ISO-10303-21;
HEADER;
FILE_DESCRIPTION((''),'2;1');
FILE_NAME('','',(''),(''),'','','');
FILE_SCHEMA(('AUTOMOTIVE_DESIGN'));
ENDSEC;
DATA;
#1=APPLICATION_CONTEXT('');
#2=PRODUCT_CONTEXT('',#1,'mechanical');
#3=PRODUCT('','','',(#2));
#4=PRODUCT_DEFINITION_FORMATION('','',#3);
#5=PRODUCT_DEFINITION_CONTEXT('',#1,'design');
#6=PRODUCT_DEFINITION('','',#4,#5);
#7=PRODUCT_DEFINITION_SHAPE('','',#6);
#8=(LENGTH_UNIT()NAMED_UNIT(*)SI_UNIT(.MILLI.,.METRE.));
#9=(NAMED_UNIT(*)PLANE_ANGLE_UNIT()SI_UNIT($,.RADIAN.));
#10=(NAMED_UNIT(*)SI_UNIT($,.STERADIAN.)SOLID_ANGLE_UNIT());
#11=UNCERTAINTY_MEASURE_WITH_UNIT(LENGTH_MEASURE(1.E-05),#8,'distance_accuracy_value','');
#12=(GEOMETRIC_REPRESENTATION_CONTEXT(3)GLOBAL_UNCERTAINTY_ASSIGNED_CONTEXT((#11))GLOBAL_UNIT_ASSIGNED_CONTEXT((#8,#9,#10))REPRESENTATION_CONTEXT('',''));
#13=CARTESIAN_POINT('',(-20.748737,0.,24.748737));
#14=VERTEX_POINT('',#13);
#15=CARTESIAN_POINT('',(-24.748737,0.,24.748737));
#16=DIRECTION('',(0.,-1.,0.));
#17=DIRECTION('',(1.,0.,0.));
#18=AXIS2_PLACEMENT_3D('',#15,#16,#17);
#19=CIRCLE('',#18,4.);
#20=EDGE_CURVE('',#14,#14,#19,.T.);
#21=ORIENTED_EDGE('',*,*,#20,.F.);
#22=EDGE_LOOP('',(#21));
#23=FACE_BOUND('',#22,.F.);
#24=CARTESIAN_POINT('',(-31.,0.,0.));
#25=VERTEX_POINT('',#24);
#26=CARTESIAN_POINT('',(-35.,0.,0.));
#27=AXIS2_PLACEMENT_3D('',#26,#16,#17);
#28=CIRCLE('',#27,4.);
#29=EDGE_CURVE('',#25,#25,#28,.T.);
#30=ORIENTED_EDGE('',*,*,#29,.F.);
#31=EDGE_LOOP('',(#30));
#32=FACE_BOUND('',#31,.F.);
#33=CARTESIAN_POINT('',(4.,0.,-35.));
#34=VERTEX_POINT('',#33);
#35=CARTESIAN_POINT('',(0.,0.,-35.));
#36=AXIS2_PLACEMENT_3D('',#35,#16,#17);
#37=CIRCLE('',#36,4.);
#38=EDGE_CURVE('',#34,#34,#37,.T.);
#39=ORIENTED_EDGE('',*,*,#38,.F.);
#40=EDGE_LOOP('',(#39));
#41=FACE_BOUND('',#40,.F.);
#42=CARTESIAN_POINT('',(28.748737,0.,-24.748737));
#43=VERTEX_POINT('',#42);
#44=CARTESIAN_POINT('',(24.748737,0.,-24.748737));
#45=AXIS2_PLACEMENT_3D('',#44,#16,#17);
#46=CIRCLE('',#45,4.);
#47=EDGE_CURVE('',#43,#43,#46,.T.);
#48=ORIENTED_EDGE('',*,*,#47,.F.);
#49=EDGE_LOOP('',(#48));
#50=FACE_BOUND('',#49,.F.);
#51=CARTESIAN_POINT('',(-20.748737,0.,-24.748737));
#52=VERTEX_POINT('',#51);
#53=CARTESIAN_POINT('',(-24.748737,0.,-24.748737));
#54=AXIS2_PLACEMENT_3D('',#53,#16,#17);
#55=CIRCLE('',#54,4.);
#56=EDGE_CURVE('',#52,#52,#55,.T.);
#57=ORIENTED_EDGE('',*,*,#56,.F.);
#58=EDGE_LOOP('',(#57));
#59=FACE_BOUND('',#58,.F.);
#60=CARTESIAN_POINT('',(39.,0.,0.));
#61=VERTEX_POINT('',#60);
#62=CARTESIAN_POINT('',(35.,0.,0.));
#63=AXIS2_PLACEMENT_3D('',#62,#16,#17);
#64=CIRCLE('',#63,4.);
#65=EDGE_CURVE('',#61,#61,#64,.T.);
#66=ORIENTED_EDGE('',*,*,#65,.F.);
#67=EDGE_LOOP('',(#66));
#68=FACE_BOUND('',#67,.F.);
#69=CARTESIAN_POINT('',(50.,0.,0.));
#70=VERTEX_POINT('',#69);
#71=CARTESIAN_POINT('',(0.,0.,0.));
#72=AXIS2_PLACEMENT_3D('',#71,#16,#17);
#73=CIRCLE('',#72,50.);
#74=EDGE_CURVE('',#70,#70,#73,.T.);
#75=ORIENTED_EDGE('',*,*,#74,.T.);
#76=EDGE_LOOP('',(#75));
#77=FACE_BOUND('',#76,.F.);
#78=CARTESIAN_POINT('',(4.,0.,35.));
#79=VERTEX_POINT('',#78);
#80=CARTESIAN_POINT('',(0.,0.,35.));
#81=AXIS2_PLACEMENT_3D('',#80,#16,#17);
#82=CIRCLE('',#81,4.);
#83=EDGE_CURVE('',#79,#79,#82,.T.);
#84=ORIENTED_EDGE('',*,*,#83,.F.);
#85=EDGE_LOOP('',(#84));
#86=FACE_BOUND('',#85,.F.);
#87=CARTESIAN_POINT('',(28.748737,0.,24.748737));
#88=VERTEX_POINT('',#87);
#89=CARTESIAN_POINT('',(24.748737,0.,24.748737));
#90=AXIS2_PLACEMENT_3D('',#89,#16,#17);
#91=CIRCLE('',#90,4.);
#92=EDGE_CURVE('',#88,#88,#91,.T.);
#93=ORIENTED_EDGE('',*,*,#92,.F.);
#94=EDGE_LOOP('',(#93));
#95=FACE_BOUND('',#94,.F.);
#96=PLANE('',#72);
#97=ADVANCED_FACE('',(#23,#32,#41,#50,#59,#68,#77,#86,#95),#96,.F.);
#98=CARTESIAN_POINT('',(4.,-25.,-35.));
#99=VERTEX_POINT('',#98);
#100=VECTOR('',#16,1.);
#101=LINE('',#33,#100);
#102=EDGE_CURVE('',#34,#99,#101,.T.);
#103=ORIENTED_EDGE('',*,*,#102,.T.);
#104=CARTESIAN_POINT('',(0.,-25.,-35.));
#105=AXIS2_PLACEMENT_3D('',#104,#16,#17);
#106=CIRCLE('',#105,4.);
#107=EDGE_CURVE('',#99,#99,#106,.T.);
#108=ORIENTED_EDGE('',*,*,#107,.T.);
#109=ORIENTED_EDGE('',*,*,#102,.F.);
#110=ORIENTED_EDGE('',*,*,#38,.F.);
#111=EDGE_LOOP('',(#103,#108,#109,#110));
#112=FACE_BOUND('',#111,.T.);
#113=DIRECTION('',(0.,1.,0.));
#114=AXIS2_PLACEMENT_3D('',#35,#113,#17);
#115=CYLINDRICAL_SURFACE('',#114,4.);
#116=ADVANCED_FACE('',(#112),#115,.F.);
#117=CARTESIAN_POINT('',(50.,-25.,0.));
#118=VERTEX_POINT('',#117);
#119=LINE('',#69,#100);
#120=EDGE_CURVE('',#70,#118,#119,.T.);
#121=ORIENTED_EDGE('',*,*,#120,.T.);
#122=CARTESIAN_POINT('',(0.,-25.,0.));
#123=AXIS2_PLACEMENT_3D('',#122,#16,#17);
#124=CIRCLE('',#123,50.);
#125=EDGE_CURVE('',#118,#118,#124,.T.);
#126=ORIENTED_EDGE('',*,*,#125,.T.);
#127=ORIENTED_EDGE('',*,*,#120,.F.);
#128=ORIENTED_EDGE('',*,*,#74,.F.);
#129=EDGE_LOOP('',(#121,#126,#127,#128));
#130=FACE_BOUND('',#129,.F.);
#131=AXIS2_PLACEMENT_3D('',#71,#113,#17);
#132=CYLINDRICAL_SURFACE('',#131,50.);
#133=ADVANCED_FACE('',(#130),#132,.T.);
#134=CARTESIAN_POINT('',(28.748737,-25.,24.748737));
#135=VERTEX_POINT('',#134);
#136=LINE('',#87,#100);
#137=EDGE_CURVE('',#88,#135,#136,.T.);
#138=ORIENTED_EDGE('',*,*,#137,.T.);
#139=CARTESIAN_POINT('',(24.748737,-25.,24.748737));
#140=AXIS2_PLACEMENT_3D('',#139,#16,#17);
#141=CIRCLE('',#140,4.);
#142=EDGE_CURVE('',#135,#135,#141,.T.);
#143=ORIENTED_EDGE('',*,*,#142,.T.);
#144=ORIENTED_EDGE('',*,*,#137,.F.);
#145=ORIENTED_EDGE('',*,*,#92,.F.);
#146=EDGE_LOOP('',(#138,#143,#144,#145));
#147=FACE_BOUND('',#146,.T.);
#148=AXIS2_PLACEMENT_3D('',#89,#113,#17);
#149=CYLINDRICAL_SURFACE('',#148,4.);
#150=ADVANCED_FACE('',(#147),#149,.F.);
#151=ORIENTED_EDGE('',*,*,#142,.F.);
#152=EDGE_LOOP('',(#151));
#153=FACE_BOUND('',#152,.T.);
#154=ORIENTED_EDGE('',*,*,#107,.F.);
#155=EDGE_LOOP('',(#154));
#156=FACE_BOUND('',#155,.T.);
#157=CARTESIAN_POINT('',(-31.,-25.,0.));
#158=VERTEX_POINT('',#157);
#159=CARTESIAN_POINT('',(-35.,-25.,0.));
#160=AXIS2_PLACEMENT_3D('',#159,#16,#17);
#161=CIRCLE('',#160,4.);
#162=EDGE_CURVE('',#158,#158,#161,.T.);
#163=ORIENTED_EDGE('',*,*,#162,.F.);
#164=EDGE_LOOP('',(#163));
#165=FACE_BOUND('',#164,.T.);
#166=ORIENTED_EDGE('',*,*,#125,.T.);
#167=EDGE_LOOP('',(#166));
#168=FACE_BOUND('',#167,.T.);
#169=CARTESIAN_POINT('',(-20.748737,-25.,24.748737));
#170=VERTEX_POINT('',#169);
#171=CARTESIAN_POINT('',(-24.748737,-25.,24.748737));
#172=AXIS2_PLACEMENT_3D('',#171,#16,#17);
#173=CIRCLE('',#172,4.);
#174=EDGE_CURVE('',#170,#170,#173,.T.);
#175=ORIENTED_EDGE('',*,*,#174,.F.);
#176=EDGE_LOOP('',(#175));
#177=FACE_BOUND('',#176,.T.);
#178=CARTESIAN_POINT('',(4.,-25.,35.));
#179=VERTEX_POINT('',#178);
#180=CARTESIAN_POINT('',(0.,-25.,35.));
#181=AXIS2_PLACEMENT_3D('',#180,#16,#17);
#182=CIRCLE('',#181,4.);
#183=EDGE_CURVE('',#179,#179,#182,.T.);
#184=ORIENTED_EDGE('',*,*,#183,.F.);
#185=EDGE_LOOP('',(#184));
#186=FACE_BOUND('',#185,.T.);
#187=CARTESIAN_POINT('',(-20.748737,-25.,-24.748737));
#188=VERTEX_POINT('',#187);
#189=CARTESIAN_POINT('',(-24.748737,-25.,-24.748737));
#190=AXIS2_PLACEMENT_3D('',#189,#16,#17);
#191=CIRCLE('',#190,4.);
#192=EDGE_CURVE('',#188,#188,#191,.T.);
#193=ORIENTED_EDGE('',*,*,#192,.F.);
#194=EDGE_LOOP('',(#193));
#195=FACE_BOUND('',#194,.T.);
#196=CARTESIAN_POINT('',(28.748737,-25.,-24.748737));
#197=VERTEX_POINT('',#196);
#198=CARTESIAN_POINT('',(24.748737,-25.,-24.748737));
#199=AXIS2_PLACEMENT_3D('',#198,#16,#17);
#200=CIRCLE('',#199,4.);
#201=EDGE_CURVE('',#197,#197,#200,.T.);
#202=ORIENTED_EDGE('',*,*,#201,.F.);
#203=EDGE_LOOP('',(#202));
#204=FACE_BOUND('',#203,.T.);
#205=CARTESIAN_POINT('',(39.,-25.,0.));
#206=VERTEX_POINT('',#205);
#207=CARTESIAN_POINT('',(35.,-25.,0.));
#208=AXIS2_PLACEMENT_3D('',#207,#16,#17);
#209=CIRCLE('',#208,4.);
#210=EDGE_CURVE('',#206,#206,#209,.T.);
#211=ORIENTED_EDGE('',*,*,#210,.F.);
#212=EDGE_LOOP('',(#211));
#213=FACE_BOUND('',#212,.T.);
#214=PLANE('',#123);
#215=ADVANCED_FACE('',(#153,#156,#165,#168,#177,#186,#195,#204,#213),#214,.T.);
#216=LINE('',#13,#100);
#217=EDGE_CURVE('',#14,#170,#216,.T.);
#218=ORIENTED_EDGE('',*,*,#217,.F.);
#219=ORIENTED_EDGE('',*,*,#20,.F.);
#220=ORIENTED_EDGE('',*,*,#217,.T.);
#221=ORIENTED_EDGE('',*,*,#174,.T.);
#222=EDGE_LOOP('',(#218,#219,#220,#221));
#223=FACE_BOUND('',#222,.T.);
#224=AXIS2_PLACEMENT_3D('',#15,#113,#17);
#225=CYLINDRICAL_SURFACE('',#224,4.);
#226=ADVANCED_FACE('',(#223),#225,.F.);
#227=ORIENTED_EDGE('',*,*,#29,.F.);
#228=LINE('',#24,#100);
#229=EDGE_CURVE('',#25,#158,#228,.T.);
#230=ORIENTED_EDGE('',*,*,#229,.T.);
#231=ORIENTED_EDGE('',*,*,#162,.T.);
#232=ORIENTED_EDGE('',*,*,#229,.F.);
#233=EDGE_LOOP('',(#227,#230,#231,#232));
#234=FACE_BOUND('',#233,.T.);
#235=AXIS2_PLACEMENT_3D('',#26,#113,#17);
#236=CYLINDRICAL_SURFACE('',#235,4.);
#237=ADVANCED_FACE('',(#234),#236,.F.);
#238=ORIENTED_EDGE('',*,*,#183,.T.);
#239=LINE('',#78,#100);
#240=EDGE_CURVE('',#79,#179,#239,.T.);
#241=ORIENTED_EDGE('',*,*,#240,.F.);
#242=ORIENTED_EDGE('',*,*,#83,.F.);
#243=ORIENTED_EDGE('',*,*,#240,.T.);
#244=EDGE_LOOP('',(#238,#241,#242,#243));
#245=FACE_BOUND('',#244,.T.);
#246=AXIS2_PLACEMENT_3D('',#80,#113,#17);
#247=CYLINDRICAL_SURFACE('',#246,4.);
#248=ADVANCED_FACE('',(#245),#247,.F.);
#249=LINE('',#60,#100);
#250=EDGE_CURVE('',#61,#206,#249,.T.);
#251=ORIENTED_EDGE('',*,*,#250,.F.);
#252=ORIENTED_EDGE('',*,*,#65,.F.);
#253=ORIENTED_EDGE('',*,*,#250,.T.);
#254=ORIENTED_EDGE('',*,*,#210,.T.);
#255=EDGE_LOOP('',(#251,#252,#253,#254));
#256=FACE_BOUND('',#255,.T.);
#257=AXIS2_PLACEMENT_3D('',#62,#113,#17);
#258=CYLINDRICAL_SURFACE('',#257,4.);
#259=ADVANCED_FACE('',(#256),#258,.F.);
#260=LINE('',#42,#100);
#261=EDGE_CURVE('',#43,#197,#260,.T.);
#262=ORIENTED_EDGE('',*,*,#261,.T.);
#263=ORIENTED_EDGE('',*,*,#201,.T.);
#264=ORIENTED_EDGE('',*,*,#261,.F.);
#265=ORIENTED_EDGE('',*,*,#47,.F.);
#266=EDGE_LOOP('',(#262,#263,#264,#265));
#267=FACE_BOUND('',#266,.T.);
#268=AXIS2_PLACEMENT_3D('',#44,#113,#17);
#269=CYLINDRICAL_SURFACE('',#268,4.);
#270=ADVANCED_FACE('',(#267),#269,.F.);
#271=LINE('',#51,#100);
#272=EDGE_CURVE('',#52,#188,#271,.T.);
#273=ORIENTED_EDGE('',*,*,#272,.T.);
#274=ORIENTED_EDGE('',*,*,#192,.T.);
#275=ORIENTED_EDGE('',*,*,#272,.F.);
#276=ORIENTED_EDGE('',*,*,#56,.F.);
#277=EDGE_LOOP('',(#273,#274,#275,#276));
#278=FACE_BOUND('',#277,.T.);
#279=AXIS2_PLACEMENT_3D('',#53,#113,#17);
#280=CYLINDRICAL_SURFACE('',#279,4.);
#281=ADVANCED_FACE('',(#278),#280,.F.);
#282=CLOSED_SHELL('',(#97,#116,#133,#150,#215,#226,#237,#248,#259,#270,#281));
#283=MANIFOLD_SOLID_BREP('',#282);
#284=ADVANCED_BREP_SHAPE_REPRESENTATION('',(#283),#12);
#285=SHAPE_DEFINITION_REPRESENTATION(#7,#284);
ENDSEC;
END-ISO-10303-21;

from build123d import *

# Parameters (mm, degrees)
F0_R     = 50
F0_R_2   = 4
F1_DEPTH = 25


with BuildPart() as f1:
    # F0 (on Front) → F1 (new body)
    with BuildSketch(Plane.XZ):
        Circle(F0_R)
        with Locations((-24.748737, -24.748737)):
            Circle(F0_R_2, mode=Mode.SUBTRACT)
        with Locations((0, -35)):
            Circle(F0_R_2, mode=Mode.SUBTRACT)
        with Locations((24.748737, -24.748737)):
            Circle(F0_R_2, mode=Mode.SUBTRACT)
        with Locations((-35, 0)):
            Circle(F0_R_2, mode=Mode.SUBTRACT)
        with Locations((-24.748737, 24.748737)):
            Circle(F0_R_2, mode=Mode.SUBTRACT)
        with Locations((24.748737, 24.748737)):
            Circle(F0_R_2, mode=Mode.SUBTRACT)
        with Locations((35, 0)):
            Circle(F0_R_2, mode=Mode.SUBTRACT)
        with Locations((0, 35)):
            Circle(F0_R_2, mode=Mode.SUBTRACT)
    extrude(amount=F1_DEPTH)


solid = f1.part
